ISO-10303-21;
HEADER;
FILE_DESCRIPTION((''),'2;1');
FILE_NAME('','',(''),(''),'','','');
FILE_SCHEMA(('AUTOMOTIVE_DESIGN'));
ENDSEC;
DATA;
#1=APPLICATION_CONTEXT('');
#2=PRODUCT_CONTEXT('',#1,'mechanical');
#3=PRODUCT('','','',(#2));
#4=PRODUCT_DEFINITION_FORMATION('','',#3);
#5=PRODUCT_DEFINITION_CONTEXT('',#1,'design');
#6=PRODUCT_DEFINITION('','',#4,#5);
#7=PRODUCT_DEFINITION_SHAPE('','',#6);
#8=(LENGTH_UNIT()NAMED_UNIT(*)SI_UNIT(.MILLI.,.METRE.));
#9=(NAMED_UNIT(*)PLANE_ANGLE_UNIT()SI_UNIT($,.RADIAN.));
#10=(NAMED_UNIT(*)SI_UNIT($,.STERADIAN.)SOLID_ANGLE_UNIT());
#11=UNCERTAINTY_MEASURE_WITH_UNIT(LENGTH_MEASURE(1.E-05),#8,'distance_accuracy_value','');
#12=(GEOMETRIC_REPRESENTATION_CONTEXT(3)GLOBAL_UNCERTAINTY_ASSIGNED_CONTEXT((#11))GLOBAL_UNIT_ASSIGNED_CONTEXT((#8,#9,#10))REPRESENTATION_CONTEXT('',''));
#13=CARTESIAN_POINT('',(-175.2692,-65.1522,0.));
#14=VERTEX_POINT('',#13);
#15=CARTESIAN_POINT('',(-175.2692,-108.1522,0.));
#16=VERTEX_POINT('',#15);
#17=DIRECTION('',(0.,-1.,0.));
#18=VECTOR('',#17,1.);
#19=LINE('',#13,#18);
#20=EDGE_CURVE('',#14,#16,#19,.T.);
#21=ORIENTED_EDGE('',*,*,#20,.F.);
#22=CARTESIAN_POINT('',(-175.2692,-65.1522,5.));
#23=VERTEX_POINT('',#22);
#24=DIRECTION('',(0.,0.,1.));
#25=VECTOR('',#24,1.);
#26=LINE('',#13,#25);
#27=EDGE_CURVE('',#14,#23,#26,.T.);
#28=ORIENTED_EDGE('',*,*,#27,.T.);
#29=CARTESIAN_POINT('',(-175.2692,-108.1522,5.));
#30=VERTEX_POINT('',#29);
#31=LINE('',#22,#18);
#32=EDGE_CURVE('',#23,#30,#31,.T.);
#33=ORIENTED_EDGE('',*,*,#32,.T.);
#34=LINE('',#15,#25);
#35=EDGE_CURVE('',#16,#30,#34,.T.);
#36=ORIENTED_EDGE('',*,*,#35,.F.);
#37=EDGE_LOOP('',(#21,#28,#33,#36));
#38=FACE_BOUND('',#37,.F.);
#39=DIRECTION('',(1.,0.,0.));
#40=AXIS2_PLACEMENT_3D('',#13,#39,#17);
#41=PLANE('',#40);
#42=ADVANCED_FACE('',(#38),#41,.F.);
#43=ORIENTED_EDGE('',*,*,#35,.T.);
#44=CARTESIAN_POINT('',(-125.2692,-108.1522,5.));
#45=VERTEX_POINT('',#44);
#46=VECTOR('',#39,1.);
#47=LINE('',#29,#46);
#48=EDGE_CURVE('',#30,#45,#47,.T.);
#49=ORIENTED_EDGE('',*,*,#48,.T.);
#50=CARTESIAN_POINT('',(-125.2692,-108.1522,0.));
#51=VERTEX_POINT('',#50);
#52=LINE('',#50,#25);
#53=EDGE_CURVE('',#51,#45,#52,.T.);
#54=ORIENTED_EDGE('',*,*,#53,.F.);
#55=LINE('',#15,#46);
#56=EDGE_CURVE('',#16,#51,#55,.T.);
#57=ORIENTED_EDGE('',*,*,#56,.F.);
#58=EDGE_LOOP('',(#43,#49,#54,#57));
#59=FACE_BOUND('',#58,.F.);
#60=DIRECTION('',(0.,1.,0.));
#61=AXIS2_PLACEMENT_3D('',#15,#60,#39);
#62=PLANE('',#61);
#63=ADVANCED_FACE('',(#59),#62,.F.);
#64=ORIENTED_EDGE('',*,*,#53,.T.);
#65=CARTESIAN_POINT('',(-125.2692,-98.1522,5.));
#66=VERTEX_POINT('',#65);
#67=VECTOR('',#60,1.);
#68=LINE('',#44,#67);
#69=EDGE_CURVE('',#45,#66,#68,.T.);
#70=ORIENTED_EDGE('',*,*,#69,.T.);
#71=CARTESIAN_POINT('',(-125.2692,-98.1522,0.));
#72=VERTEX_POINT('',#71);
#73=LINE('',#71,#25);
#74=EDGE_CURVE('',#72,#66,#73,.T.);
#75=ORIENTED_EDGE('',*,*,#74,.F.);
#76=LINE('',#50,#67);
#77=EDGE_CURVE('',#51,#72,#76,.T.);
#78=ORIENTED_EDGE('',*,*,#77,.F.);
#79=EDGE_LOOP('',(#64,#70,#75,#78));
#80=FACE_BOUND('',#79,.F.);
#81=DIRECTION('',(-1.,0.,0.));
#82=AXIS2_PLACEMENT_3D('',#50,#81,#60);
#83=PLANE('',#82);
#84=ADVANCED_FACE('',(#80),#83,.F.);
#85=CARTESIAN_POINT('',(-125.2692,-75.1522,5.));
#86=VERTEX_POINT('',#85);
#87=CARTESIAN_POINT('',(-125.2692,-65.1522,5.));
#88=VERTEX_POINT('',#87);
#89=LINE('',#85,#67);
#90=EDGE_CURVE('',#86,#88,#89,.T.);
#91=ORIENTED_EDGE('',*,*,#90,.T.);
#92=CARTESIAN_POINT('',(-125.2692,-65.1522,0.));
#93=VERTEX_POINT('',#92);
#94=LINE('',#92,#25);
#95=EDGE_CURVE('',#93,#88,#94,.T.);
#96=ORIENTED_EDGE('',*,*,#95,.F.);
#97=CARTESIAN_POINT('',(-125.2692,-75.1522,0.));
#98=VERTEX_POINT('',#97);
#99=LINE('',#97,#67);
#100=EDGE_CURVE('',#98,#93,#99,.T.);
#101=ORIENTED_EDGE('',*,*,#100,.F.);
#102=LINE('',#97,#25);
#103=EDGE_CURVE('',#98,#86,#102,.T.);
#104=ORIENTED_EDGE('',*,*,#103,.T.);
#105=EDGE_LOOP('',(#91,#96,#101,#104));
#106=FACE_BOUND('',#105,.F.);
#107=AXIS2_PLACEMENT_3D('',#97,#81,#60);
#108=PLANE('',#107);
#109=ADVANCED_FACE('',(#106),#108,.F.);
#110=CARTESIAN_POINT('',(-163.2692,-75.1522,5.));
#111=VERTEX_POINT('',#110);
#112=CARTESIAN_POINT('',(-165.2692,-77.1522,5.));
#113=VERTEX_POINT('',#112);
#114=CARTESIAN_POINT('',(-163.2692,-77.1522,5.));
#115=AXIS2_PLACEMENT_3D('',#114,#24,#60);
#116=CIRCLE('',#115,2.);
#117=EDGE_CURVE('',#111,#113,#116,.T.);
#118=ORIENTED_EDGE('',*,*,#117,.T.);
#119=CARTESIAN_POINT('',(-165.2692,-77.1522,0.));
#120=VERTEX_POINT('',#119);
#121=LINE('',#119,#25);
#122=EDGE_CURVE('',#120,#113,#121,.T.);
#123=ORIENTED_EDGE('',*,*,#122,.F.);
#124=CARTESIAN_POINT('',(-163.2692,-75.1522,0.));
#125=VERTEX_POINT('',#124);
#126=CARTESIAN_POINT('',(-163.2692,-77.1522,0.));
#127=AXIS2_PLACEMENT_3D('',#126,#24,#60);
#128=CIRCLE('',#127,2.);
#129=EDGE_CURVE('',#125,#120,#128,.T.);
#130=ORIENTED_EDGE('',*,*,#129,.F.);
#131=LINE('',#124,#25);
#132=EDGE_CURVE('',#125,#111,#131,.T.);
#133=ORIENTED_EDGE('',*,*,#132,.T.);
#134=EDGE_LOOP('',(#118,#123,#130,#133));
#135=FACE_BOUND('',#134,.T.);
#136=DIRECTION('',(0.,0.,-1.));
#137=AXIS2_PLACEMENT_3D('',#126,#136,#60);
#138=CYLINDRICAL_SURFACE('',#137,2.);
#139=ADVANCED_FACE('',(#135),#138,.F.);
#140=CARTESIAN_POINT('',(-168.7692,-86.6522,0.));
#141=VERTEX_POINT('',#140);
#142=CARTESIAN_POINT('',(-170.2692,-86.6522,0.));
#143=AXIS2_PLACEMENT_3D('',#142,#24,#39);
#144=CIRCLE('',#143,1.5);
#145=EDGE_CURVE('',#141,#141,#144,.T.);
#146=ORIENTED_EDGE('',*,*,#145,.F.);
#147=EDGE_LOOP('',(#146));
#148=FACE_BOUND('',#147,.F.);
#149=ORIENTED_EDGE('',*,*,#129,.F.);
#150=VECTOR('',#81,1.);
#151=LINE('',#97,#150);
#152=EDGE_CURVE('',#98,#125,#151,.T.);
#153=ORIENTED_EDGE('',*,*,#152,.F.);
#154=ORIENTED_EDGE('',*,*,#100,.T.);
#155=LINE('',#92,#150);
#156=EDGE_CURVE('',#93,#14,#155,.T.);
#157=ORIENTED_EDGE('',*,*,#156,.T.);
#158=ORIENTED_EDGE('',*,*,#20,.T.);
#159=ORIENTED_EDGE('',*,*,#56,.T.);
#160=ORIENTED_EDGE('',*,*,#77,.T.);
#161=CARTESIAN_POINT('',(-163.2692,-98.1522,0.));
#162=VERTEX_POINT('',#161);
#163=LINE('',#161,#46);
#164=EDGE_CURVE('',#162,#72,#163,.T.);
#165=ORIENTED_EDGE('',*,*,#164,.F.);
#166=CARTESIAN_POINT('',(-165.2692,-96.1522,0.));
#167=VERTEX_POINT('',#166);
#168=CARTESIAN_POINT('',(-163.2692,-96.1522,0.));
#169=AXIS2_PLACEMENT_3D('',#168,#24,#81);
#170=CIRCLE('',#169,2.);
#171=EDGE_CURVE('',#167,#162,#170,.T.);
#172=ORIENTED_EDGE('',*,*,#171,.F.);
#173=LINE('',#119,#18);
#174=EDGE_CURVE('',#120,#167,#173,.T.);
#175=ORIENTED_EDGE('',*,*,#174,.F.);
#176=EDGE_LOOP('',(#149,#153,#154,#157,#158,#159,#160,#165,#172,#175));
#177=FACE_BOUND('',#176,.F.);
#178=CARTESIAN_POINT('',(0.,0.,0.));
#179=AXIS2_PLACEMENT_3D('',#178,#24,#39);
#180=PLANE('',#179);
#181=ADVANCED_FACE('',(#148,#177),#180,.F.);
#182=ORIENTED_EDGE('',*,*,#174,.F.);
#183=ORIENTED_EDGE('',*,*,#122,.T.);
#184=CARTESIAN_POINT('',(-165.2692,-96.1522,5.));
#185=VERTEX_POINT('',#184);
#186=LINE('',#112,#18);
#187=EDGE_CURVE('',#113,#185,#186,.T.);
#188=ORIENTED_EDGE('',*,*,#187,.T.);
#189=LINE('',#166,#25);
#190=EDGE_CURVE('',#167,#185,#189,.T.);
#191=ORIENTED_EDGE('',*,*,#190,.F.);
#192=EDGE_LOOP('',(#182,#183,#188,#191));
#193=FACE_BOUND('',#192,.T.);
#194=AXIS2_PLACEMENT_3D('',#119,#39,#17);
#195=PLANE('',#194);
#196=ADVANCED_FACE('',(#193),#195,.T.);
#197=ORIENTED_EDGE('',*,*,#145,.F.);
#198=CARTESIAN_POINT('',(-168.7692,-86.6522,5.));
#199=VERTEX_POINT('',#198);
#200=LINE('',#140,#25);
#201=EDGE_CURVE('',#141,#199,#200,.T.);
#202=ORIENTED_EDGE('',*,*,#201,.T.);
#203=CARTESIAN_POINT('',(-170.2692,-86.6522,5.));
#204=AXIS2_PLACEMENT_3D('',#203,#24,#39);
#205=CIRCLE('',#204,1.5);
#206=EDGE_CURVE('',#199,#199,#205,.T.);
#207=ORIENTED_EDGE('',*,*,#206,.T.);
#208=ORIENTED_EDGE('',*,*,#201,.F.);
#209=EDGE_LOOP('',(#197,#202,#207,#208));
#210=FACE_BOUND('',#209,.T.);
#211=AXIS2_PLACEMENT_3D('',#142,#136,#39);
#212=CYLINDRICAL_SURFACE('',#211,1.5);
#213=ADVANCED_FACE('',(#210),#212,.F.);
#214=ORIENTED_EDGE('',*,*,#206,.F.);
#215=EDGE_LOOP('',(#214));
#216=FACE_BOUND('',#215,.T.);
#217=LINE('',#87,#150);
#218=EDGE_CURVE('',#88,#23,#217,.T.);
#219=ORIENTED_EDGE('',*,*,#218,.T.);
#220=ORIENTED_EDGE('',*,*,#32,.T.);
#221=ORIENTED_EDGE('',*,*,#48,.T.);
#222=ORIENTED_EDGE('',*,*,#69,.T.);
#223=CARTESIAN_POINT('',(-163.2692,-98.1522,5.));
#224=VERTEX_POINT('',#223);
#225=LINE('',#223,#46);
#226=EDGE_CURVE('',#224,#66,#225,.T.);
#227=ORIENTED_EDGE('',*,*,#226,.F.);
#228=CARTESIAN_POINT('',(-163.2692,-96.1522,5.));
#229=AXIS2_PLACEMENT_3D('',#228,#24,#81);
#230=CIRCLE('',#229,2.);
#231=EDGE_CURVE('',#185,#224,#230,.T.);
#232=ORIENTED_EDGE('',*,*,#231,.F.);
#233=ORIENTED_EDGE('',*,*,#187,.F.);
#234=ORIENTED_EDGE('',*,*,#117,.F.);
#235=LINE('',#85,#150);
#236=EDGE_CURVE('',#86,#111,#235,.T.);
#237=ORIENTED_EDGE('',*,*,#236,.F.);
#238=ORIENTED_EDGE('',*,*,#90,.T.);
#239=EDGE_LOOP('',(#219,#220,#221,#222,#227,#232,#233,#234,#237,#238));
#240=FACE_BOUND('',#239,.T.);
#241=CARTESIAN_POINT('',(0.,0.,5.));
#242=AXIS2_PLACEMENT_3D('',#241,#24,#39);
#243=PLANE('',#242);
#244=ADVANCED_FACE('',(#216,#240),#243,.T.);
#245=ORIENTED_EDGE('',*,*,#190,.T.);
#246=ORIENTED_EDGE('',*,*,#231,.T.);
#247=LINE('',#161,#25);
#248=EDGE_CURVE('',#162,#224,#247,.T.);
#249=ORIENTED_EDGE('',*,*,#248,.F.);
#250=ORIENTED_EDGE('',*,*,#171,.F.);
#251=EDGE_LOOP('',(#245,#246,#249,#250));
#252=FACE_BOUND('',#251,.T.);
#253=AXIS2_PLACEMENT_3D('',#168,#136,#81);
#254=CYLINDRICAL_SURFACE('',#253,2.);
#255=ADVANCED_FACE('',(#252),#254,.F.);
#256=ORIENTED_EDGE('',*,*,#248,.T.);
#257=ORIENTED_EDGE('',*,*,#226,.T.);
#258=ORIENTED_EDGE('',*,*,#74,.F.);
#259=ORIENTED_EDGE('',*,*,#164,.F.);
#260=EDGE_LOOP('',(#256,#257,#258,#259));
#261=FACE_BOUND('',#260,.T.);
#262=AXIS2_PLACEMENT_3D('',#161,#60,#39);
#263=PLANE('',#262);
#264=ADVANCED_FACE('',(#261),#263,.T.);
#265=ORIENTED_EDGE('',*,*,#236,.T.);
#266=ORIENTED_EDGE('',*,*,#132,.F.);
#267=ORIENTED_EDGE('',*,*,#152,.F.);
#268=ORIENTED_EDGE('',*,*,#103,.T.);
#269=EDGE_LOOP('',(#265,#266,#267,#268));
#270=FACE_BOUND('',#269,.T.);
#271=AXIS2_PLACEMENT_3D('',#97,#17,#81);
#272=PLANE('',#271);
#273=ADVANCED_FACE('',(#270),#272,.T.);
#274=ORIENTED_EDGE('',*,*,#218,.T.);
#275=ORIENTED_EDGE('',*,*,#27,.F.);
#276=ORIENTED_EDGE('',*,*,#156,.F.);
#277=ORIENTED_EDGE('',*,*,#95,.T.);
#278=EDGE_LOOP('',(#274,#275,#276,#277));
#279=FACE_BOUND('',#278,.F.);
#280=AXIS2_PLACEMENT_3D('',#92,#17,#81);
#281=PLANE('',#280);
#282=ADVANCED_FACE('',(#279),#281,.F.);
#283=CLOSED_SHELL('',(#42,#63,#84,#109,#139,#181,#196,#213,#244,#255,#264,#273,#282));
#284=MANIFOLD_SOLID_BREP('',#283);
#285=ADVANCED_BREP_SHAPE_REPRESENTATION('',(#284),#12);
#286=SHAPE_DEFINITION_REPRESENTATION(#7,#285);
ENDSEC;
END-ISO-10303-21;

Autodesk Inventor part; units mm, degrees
ref_plane "YZ Plane" through (0, 0, 0) normal (1, 0, 0) x (0, 1, 0)
ref_plane "XZ Plane" through (0, 0, 0) normal (0, 1, 0) x (-1, 0, 0)
ref_plane "XY Plane" through (0, 0, 0) normal (0, 0, 1) x (1, 0, 0)
sketch "Sketch1" plane through (0, 0, 0) normal (0, 0, 1) x (1, 0, 0)
  circle A0 centre (-170.2692, -86.6522) radius 1.5
  line L0 (-175.2692, -65.1522) -> (-175.2692, -108.1522)
  arc A1 (-163.2692, -75.1522) -> (-165.2692, -77.1522) centre (-163.2692, -77.1522) ccw
  line L1 (-125.2692, -65.1522) -> (-175.2692, -65.1522)
  line L2 (-165.2692, -77.1522) -> (-165.2692, -96.1522)
  line L3 (-125.2692, -75.1522) -> (-125.2692, -65.1522)
  line L4 (-125.2692, -75.1522) -> (-163.2692, -75.1522)
  arc A2 (-165.2692, -96.1522) -> (-163.2692, -98.1522) centre (-163.2692, -96.1522) ccw
  line L5 (-175.2692, -108.1522) -> (-125.2692, -108.1522)
  line L6 (-125.2692, -108.1522) -> (-125.2692, -98.1522)
  line L7 (-163.2692, -98.1522) -> (-125.2692, -98.1522)
  point P0 (0, 0)
  point P1 (-165.2692, -75.1522)
  point P2 (-165.2692, -98.1522)
  dimension "d10" = 40
  dimension "d11" = 23
  dimension "d12" = 2
  dimension "d13" = 10
  dimension "d14" = 50
  dimension "d15" = 43
  dimension "d16" = 3
  dimension "d17" = 5
  dimension "d18" = 21.5
extrude "Extrusion2" add sketch "Sketch1" along normal blind 5
properties part number "cetakan sepatu 3"
